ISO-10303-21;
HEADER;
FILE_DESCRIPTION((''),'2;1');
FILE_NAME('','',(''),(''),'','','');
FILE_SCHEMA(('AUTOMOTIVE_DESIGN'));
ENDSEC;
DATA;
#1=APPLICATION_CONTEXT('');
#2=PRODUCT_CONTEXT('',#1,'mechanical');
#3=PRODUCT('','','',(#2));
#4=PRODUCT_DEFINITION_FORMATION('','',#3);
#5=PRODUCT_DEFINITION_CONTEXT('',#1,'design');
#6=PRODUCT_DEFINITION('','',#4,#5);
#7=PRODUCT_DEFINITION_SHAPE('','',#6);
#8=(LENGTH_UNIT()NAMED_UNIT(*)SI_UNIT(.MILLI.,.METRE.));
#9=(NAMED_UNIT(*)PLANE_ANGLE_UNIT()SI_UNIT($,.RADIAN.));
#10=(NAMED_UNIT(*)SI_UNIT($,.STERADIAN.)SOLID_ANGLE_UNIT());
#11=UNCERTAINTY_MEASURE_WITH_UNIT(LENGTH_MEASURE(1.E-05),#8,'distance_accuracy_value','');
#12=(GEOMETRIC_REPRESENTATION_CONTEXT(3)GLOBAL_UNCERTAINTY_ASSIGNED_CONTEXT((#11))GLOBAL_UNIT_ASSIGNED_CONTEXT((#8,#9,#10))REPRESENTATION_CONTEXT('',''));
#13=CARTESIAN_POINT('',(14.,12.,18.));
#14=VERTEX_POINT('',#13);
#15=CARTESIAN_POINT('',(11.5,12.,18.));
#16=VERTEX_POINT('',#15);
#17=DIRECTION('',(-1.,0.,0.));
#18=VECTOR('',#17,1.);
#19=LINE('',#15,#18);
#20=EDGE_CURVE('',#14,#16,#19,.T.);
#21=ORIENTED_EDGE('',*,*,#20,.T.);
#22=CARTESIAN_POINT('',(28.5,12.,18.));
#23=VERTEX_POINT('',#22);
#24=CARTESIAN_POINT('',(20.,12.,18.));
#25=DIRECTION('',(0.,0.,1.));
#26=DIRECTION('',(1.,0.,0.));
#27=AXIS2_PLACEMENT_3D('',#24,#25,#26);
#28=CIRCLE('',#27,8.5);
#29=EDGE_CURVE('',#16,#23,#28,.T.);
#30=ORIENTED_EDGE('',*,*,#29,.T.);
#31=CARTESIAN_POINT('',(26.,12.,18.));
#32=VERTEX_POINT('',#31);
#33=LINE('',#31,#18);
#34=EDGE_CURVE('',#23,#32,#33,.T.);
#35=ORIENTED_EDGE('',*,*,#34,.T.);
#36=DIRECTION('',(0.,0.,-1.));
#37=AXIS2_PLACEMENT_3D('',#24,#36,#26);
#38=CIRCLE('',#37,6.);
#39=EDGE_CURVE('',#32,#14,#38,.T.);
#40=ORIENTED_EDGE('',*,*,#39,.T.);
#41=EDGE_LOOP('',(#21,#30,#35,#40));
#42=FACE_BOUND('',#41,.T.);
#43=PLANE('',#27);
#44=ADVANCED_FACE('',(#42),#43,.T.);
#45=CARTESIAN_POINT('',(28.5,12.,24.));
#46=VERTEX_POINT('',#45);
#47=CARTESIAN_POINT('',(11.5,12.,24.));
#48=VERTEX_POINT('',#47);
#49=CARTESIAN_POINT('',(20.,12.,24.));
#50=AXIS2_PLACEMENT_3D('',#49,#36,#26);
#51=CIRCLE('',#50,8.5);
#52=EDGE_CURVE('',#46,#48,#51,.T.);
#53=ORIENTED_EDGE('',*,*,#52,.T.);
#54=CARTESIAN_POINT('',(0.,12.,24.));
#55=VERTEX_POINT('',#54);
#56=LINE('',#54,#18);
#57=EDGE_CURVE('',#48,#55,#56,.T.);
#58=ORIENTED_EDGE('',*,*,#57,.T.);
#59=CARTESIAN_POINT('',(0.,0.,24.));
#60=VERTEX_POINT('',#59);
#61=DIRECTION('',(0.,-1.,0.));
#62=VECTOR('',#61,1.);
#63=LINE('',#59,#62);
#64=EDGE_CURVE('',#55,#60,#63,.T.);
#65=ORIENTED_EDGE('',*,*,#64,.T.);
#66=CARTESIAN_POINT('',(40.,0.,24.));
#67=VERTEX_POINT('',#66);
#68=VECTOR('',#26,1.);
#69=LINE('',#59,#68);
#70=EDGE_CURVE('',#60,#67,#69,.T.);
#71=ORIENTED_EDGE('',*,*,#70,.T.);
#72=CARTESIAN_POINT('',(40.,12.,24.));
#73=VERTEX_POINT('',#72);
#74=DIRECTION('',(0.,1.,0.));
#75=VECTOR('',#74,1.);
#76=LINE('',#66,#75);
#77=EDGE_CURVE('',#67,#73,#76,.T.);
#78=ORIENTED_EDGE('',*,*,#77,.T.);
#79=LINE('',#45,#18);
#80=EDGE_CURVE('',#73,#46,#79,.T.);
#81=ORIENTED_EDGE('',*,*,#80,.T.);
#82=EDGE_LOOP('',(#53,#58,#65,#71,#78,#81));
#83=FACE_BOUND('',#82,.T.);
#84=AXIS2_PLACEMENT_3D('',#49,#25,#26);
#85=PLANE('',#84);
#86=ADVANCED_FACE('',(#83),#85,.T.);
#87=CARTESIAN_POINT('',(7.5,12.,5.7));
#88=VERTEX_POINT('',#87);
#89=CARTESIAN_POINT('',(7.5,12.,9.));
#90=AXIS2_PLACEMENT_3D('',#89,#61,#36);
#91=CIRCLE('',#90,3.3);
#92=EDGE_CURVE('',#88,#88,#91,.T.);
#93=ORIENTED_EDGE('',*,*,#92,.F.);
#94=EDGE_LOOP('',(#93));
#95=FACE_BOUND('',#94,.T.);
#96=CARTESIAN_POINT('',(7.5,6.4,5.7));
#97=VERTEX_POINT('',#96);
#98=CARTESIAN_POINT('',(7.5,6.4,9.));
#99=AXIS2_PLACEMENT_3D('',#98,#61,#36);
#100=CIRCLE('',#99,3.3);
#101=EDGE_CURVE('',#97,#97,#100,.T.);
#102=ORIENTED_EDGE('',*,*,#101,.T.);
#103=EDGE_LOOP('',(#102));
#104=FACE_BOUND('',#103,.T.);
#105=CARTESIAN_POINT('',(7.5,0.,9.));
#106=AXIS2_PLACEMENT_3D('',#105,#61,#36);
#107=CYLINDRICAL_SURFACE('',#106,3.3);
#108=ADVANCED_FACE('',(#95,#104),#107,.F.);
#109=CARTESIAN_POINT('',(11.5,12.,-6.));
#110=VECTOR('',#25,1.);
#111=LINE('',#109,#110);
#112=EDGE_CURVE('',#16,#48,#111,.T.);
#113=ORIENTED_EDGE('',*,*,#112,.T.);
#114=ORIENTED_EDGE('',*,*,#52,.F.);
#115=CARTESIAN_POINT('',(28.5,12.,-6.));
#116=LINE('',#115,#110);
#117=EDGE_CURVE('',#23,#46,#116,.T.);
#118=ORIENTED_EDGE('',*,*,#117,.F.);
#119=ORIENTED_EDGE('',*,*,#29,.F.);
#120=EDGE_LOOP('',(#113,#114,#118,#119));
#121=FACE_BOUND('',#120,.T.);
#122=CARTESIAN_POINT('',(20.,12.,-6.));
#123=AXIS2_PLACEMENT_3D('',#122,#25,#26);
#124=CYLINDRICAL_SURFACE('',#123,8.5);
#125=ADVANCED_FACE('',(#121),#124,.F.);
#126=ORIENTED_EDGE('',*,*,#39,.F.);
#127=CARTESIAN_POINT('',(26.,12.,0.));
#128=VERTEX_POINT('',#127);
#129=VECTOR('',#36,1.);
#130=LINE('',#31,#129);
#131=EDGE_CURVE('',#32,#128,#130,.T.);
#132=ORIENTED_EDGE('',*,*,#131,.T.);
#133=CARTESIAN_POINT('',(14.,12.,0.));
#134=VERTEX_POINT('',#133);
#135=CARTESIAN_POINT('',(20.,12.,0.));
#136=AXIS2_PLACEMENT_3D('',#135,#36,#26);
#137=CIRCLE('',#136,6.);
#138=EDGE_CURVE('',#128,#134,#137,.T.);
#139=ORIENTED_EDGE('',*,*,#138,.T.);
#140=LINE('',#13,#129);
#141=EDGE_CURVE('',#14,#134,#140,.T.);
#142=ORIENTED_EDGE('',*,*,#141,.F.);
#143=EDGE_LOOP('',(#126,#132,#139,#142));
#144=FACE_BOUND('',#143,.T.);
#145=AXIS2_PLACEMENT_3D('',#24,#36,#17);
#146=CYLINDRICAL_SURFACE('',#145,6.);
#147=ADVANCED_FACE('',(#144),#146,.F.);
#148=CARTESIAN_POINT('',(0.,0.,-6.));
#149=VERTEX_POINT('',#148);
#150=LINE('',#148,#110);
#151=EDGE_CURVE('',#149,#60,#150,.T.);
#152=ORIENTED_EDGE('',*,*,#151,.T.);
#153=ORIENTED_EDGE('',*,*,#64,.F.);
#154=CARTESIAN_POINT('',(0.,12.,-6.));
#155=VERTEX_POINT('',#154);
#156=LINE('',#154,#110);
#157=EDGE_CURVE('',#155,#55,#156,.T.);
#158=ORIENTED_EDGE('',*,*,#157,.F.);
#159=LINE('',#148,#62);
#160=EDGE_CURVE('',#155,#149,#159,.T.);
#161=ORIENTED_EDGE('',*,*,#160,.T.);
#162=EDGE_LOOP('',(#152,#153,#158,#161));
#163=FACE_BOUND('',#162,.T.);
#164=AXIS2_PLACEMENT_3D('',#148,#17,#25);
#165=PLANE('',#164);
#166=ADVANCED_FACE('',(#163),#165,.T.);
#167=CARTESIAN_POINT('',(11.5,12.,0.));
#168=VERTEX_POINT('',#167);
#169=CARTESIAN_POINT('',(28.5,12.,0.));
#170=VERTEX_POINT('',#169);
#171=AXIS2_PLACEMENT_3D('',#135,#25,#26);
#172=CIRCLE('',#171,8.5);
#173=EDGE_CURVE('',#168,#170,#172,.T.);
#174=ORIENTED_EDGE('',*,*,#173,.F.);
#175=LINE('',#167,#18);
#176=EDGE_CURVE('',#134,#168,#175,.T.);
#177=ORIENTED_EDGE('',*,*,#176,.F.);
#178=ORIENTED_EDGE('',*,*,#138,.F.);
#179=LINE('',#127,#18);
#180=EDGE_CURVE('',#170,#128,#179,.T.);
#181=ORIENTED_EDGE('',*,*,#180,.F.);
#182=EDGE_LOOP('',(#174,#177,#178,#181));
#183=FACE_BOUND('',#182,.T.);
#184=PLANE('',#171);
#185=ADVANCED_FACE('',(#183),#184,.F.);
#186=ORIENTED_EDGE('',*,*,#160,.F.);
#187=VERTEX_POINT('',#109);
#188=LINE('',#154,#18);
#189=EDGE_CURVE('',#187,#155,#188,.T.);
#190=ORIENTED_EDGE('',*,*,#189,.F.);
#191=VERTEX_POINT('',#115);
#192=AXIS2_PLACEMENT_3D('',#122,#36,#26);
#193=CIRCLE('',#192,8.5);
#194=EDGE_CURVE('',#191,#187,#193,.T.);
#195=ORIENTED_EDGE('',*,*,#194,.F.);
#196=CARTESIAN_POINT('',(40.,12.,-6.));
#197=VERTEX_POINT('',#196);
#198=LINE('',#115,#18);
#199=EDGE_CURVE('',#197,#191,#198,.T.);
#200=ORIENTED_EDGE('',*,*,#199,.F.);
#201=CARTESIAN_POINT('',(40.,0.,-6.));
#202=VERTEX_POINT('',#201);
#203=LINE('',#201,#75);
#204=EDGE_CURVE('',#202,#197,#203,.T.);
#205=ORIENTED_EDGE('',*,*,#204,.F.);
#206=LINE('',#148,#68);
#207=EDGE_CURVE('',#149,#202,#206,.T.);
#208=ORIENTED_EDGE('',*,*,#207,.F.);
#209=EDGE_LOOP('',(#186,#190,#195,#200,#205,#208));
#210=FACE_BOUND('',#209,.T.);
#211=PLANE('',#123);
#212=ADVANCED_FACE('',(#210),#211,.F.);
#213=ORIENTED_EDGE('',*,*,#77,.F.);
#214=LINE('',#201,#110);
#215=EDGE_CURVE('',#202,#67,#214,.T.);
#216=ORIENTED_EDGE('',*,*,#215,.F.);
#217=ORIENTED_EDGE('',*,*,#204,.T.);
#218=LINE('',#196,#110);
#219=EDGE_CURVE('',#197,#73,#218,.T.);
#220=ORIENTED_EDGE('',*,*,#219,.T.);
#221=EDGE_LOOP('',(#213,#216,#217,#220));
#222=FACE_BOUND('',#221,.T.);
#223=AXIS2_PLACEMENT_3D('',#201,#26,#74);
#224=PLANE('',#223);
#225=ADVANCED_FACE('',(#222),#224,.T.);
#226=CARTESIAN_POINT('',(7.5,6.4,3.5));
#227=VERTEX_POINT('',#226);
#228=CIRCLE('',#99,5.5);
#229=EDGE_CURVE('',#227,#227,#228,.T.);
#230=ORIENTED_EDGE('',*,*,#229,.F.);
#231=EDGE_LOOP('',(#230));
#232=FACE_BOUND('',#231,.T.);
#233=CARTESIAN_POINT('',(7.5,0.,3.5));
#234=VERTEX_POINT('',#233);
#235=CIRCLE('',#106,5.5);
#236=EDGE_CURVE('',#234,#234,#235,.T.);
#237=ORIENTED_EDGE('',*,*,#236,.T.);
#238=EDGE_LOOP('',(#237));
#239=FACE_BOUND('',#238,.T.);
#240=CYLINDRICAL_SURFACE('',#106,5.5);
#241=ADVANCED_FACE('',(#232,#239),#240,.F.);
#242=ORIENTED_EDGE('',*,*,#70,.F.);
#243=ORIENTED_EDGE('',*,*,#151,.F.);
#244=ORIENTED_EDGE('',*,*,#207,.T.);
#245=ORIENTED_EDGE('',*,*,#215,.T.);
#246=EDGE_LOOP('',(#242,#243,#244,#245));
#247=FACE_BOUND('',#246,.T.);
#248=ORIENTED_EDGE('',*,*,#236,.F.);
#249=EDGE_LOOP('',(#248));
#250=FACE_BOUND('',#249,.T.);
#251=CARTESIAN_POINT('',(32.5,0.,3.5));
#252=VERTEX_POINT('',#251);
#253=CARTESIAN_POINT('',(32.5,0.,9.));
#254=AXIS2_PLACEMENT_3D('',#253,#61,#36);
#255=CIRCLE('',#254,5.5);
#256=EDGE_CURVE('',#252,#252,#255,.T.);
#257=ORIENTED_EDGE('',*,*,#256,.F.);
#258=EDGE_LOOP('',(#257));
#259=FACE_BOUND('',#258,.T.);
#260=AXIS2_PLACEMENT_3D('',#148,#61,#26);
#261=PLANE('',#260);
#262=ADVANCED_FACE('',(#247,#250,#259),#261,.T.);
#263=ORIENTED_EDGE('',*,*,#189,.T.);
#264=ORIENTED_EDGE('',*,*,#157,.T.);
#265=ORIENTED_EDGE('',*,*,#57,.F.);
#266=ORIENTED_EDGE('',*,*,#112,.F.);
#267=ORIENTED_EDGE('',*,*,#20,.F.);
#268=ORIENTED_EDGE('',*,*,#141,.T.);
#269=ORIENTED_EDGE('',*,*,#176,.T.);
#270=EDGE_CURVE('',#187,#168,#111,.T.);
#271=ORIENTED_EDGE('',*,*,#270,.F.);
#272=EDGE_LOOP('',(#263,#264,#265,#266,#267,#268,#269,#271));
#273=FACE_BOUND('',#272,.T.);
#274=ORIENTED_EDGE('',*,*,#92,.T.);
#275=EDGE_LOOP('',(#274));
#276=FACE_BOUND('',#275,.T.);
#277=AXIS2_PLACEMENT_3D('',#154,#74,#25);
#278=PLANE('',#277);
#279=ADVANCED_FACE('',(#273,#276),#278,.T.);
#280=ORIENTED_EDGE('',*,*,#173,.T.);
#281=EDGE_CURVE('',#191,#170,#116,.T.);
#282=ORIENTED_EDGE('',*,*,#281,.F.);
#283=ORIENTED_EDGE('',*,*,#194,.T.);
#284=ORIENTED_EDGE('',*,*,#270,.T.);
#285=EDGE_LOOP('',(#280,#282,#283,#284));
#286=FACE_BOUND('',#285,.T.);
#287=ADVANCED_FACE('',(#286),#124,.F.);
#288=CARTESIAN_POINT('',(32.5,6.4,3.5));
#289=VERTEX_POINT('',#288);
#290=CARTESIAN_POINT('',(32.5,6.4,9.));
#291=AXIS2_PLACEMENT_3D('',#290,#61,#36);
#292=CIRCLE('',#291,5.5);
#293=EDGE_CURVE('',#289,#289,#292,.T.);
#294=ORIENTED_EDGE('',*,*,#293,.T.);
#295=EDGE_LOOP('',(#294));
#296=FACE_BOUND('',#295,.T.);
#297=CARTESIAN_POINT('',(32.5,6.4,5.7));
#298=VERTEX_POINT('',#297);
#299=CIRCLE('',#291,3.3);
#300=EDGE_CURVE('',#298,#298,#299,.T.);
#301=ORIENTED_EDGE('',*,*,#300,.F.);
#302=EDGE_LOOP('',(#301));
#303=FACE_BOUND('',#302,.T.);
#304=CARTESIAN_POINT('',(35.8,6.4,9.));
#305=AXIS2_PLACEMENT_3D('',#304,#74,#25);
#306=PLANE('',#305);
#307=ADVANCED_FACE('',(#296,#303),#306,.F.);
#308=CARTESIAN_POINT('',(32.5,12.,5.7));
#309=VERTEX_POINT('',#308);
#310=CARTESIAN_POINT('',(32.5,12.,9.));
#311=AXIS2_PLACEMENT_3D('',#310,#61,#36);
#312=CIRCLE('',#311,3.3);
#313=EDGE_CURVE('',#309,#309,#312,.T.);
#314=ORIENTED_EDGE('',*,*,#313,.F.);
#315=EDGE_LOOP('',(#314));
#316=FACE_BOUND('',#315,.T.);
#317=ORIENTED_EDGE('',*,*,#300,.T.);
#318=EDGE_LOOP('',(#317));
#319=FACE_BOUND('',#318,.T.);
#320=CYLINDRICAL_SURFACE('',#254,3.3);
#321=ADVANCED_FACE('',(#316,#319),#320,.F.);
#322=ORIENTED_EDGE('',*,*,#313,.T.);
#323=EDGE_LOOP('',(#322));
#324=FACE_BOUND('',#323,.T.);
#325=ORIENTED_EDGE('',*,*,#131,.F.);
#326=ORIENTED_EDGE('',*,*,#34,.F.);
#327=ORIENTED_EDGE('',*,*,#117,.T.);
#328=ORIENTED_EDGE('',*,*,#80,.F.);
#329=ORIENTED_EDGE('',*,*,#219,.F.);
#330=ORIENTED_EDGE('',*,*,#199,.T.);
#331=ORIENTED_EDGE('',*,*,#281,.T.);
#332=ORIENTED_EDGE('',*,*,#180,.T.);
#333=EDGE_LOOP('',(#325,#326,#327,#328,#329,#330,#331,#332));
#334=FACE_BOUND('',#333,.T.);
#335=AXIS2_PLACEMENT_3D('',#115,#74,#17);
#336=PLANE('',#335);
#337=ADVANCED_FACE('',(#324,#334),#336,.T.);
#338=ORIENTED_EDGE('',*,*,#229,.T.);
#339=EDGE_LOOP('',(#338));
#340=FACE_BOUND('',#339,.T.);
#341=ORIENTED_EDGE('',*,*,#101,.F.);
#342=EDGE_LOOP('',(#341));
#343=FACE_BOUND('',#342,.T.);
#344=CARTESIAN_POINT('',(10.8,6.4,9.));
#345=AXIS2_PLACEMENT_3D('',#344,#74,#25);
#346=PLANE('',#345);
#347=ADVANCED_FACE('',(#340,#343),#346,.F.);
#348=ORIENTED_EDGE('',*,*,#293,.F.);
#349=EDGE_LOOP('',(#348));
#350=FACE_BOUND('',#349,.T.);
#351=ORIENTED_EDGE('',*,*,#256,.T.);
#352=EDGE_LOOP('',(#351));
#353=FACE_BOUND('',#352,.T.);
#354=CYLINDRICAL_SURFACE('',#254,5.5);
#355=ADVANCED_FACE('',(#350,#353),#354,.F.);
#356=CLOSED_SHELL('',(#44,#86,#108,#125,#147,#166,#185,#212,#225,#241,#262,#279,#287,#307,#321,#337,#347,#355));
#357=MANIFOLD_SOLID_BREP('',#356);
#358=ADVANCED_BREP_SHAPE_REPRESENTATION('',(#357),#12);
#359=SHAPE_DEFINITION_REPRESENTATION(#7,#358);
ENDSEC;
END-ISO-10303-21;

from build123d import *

# Parameters (mm, degrees)
EXTRUDE_1_DEPTH             = 24
EXTRUDE_1_DEPTH_BACK        = 6
EXTRUDE_2_DEPTH             = 18
HOLE_WIZARD_M61_D           = 6.6
HOLE_WIZARD_M61_CBORE_D     = 11
HOLE_WIZARD_M61_CBORE_DEPTH = 6.4


with BuildPart() as part:
    # Эскиз1 → Бобышка-Вытянуть1 (new, two sides: drawn at the far end of the back side and taken through both)
    with BuildSketch(Plane.XY.offset(-EXTRUDE_1_DEPTH_BACK)):
        with BuildLine():
            Line((28.5, 12), (40, 12))
            Line((40, 12), (40, 0))
            Line((40, 0), (0, 0))
            Line((0, 0), (0, 12))
            Line((0, 12), (11.5, 12))
            ThreePointArc((11.5, 12), (20, 3.5), (28.5, 12))
        make_face()
    extrude(amount=EXTRUDE_1_DEPTH + EXTRUDE_1_DEPTH_BACK)

    # Эскиз3 → Бобышка-Вытянуть2 (add)
    with BuildSketch(Plane.XY):
        with BuildLine():
            Line((11.5, 12), (14, 12))
            ThreePointArc((14, 12), (20, 6), (26, 12))
            Line((26, 12), (28.5, 12))
            ThreePointArc((28.5, 12), (20, 3.5), (11.5, 12))
        make_face()
    extrude(amount=EXTRUDE_2_DEPTH)

    # Цековка для  винта с внутренним шестигранником M61 (through all)
    with Locations(Plane.XZ):
        with Locations((7.5, 9), (32.5, 9)):
            CounterBoreHole(HOLE_WIZARD_M61_D / 2, HOLE_WIZARD_M61_CBORE_D / 2, HOLE_WIZARD_M61_CBORE_DEPTH)


solid = part.part
